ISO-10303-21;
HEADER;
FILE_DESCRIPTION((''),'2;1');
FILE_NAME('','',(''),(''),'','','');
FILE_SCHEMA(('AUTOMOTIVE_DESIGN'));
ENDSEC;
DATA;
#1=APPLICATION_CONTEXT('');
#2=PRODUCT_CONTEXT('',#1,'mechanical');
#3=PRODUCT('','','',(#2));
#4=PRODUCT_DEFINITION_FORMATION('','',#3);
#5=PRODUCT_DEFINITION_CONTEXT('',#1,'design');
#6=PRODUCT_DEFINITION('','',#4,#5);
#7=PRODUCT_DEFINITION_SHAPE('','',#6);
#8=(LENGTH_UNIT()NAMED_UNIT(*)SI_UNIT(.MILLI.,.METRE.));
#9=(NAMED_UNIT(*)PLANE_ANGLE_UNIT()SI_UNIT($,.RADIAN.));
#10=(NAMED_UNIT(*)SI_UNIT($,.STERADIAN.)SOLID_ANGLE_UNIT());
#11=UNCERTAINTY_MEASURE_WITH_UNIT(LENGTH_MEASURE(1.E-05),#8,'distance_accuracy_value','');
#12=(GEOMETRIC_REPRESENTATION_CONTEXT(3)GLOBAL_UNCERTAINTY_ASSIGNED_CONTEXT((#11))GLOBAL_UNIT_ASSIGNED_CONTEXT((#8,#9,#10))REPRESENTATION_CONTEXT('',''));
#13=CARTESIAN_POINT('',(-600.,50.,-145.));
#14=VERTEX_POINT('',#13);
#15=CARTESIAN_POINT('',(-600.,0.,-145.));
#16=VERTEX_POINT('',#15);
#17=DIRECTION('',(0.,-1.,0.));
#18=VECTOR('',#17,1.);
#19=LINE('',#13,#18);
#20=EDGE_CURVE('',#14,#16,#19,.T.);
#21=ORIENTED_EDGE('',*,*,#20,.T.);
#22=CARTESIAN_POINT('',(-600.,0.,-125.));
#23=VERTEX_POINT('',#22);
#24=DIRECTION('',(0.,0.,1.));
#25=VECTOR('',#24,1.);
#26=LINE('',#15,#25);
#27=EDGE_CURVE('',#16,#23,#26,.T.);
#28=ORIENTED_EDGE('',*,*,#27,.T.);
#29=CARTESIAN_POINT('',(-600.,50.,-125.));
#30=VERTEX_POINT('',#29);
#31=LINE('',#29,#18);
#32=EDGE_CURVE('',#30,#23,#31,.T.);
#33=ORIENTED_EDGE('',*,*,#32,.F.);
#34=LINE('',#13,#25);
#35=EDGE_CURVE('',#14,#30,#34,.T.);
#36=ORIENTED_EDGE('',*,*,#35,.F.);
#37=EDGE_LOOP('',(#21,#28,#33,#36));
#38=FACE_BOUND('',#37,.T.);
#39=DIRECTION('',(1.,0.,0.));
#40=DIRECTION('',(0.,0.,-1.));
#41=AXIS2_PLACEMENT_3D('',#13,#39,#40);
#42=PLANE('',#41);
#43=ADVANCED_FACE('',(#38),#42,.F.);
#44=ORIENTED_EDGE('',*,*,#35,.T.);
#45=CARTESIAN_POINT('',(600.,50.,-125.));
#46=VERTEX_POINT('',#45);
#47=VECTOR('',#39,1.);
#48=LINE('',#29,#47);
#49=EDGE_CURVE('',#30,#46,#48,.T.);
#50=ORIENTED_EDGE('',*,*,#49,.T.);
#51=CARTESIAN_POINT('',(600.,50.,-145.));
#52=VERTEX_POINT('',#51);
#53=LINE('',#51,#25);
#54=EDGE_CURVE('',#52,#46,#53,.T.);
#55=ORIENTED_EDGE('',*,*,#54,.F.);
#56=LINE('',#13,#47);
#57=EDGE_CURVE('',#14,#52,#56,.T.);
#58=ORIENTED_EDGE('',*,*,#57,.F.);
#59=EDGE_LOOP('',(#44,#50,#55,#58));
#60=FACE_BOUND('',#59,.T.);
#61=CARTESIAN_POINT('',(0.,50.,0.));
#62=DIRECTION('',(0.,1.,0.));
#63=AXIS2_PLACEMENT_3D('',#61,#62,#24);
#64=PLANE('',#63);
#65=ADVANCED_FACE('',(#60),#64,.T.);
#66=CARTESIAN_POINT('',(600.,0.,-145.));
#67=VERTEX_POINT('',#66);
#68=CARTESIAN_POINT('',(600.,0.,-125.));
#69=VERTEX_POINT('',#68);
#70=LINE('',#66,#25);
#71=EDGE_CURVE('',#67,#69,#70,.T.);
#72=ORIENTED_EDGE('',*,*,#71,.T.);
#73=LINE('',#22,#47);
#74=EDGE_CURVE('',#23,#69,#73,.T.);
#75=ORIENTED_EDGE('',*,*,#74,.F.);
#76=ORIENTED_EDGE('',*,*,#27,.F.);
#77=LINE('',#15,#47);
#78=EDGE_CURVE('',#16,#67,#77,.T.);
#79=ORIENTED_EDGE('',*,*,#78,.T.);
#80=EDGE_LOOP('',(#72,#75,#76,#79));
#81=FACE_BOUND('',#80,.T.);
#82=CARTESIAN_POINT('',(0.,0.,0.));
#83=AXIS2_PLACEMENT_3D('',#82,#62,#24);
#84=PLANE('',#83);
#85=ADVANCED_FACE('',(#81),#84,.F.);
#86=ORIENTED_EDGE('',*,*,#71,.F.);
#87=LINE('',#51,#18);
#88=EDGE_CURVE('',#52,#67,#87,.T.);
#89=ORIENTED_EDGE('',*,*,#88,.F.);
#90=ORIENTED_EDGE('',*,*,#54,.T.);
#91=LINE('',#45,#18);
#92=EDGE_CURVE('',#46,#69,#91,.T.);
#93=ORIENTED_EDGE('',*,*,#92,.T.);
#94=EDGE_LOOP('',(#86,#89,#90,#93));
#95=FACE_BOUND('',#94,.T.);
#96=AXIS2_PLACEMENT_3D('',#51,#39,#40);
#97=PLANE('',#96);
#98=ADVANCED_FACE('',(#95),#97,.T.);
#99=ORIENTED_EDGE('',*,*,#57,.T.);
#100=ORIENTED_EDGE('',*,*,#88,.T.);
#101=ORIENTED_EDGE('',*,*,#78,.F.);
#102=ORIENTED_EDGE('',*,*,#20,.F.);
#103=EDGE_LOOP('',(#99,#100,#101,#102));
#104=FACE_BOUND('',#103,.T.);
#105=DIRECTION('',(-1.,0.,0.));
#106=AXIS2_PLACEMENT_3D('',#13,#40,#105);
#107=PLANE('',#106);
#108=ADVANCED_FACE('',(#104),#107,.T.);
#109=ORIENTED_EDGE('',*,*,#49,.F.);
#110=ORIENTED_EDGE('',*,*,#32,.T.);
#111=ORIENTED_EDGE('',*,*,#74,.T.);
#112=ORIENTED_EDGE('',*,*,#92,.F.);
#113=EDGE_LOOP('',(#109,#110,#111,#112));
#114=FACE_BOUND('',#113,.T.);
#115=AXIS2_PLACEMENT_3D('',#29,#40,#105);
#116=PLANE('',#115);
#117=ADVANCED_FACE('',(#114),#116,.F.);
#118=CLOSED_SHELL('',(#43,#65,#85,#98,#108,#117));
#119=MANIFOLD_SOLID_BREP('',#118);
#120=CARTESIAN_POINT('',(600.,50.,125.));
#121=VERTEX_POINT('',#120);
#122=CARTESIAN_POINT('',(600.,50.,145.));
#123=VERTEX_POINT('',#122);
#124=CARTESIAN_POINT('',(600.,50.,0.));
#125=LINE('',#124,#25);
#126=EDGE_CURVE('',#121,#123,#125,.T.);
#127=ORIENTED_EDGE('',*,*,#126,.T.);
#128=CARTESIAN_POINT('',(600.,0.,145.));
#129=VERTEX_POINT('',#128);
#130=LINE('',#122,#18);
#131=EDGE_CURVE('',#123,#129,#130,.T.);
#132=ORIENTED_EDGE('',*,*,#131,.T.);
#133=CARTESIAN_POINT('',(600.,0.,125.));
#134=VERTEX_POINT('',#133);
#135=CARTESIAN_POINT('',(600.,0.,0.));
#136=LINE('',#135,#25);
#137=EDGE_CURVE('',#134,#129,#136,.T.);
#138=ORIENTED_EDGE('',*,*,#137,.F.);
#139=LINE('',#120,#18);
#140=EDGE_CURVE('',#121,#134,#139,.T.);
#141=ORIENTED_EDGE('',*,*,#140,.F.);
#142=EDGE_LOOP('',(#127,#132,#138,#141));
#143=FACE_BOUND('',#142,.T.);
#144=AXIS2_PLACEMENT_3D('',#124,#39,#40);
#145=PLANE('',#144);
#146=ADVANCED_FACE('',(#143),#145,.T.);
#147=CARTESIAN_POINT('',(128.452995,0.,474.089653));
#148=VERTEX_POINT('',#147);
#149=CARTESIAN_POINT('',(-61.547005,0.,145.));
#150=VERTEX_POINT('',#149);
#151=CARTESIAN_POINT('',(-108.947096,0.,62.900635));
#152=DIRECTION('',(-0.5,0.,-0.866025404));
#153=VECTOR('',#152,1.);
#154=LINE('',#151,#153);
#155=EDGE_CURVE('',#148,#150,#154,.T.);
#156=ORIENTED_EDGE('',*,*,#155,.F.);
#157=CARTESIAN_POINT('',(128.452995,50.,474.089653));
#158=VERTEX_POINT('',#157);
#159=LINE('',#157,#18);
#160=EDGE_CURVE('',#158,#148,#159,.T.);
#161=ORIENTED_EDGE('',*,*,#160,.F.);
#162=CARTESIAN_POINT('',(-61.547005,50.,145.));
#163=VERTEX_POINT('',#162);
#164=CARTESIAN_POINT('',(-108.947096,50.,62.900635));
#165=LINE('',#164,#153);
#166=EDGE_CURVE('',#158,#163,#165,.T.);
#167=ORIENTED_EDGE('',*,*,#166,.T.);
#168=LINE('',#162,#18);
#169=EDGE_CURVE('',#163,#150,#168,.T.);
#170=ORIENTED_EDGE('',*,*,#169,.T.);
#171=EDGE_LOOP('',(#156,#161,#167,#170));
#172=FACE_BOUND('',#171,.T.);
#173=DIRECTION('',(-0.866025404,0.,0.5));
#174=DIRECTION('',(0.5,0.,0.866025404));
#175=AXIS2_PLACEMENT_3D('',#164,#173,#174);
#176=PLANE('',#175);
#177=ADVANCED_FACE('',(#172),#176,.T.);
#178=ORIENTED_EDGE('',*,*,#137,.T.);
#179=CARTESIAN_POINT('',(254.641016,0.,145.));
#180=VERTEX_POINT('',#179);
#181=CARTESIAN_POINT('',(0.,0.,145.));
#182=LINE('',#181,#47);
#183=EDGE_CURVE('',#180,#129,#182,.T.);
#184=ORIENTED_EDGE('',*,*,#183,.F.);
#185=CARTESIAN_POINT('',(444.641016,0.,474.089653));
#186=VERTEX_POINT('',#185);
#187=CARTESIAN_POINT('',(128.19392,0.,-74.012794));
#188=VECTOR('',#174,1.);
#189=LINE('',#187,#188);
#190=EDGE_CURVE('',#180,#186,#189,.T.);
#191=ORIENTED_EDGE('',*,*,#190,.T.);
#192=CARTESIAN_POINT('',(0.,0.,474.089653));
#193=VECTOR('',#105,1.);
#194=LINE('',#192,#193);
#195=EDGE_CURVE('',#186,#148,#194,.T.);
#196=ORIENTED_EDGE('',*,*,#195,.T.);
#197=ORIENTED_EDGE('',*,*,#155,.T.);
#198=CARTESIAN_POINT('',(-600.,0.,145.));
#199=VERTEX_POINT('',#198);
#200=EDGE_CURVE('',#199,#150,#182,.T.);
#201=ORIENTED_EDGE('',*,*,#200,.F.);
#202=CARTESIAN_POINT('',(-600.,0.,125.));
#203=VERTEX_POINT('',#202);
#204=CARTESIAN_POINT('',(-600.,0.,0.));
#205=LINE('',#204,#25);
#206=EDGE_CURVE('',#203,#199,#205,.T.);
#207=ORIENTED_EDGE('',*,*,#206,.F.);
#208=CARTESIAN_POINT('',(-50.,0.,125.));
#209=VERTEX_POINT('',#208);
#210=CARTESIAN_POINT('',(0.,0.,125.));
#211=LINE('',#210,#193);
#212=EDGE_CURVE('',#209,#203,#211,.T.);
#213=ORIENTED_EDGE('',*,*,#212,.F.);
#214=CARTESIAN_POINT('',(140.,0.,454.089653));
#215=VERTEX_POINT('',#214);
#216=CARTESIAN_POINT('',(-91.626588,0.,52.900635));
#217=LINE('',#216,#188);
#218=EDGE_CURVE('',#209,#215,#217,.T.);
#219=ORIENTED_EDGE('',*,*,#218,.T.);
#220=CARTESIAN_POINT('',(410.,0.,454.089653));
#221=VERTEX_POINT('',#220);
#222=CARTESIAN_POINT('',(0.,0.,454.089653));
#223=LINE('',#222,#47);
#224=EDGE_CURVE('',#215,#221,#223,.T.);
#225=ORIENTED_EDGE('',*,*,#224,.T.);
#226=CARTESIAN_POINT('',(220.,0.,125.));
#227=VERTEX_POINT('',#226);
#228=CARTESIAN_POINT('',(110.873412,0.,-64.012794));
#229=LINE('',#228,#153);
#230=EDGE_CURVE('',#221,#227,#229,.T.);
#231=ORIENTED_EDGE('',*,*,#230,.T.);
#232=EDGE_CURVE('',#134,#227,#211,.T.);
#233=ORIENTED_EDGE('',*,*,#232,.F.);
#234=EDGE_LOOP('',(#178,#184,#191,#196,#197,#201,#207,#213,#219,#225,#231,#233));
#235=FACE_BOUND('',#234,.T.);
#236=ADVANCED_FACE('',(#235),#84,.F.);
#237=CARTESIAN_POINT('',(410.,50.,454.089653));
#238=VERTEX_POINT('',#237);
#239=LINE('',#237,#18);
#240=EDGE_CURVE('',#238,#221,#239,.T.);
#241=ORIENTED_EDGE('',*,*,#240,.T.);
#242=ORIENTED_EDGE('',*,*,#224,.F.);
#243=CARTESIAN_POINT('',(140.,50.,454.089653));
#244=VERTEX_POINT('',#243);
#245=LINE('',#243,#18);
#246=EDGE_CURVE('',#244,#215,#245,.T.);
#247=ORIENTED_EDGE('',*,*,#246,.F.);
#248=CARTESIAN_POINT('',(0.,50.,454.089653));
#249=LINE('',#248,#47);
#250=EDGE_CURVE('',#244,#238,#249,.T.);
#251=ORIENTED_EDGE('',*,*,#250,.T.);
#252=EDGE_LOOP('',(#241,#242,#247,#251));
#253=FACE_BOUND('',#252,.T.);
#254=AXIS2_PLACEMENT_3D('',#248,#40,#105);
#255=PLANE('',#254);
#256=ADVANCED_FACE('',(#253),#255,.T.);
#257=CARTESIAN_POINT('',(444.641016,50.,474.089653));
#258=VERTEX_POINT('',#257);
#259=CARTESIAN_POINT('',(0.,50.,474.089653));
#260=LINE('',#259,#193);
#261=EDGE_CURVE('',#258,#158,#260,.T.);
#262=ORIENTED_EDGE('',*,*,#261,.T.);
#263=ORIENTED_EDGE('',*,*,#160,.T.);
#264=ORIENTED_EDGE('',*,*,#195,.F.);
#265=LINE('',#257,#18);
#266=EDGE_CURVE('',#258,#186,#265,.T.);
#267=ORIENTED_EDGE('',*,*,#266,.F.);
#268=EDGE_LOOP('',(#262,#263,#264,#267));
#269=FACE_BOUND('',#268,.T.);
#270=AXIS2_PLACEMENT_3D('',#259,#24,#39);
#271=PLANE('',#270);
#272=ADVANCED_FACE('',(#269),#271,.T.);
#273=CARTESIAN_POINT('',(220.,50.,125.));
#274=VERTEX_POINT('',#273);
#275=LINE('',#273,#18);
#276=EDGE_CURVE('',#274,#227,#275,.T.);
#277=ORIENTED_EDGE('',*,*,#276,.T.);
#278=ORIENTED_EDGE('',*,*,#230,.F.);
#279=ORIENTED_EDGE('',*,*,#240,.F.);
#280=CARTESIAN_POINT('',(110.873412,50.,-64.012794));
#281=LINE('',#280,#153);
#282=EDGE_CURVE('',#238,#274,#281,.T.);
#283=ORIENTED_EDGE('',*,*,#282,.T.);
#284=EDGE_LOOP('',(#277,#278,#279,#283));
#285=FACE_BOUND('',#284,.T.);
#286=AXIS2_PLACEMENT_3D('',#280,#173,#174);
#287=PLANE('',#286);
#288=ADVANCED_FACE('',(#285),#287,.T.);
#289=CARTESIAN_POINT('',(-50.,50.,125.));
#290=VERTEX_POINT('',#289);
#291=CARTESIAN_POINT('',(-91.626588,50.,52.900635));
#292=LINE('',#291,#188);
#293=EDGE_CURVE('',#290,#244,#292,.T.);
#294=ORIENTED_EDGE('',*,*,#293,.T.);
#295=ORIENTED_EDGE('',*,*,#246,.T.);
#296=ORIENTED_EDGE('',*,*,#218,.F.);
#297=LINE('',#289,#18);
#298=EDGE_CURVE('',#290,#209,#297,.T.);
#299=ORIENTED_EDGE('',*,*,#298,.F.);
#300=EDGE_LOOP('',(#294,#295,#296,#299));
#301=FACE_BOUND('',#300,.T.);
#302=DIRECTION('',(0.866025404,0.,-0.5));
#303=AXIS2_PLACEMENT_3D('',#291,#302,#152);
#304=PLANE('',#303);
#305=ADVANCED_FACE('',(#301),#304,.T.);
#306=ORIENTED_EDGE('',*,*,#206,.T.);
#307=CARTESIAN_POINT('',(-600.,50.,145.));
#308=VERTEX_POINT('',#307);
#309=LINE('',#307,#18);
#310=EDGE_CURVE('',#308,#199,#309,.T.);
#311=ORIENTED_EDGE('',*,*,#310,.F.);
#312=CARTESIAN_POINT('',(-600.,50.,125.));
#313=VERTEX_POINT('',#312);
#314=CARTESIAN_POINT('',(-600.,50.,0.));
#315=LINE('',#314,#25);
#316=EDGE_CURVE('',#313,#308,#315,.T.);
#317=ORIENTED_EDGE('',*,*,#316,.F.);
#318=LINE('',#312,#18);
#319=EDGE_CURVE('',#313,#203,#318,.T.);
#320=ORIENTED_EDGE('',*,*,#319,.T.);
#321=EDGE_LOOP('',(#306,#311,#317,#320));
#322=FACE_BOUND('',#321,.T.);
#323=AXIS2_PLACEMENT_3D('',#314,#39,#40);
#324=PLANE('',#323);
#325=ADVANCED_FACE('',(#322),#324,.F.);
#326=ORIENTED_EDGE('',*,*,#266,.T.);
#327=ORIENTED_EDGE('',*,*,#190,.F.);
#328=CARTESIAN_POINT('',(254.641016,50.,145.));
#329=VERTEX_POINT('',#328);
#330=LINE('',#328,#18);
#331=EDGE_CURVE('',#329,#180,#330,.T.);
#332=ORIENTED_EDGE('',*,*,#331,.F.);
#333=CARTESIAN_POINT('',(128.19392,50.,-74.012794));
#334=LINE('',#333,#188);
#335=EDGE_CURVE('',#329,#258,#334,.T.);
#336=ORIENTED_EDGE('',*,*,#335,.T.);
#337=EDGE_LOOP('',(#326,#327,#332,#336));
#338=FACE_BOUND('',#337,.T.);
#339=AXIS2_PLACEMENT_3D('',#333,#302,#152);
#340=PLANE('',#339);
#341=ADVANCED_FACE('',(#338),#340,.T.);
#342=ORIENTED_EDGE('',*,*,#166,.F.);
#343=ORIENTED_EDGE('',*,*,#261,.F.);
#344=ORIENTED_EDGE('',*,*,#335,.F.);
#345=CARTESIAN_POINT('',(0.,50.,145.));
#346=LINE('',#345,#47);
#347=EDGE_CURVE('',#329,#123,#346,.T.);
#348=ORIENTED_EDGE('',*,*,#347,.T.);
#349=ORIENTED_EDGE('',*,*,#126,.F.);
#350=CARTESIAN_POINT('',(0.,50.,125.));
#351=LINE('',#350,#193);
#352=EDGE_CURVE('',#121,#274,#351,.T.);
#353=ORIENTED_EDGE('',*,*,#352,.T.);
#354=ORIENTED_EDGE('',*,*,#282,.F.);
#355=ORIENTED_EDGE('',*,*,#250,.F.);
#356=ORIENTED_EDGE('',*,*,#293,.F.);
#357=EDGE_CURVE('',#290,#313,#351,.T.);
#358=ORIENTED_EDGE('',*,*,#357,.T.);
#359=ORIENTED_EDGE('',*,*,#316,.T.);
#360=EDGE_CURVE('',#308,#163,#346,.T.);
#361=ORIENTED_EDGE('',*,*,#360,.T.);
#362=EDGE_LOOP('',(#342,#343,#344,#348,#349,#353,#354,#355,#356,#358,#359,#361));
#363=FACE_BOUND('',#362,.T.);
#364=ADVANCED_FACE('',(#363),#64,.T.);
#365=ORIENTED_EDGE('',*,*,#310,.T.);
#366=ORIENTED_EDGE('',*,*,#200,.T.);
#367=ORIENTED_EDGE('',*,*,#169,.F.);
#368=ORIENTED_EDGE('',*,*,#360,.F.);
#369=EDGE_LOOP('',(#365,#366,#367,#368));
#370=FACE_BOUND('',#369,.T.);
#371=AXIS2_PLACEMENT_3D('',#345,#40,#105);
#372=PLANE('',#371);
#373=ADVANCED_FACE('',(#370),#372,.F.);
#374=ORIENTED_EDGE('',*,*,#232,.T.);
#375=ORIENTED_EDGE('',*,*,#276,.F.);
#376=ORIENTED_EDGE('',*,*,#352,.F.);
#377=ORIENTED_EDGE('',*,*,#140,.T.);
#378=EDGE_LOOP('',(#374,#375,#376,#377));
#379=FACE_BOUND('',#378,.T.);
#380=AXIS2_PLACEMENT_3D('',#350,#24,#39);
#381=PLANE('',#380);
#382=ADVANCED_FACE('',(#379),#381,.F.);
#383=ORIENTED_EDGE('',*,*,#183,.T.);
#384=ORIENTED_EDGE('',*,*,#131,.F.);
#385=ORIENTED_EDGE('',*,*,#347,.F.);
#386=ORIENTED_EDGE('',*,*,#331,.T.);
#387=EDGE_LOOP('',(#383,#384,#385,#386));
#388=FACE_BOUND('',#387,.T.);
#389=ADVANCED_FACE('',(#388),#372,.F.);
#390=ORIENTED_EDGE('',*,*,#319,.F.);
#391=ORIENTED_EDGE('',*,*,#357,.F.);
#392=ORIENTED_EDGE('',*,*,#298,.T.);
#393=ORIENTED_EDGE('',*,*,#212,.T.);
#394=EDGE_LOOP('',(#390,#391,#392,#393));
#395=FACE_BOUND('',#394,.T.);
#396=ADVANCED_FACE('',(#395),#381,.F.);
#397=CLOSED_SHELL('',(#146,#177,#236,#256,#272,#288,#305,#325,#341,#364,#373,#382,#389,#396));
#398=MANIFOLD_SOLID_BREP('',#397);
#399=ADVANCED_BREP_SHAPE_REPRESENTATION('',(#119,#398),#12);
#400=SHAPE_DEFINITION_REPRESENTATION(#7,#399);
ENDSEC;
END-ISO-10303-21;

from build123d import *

# Parameters (mm, degrees)
EXTRUDE_1_DEPTH   = 50
SKETCH_1_W        = 1200
SKETCH_1_H        = 20
EXTRUDE_1_2_DEPTH = 50


with BuildPart() as part:
    # 草图1 → 凸台-拉伸1 (new body)
    with BuildSketch(Plane(origin=(0, 0, 0), x_dir=(1, 0, 0), z_dir=(0, 1, 0))):
        Polygon((-50, -125), (140, -454.089653438), (410, -454.089653438), (220, -125), (600, -125), (600, -145), (254.641016151, -145), (444.641016151, -474.089653438), (128.452994616, -474.089653438), (-61.547005384, -145), (-600, -145), (-600, -125), align=None)
    extrude(amount=EXTRUDE_1_DEPTH)


with BuildPart() as body_2:
    # 草图1 → Extrude 1 2 (new body)
    with BuildSketch(Plane(origin=(0, 0, 0), x_dir=(1, 0, 0), z_dir=(0, 1, 0))):
        with Locations((0, 135)):
            Rectangle(SKETCH_1_W, SKETCH_1_H)
    extrude(amount=EXTRUDE_1_2_DEPTH)


solid = Compound([part.part, body_2.part])
